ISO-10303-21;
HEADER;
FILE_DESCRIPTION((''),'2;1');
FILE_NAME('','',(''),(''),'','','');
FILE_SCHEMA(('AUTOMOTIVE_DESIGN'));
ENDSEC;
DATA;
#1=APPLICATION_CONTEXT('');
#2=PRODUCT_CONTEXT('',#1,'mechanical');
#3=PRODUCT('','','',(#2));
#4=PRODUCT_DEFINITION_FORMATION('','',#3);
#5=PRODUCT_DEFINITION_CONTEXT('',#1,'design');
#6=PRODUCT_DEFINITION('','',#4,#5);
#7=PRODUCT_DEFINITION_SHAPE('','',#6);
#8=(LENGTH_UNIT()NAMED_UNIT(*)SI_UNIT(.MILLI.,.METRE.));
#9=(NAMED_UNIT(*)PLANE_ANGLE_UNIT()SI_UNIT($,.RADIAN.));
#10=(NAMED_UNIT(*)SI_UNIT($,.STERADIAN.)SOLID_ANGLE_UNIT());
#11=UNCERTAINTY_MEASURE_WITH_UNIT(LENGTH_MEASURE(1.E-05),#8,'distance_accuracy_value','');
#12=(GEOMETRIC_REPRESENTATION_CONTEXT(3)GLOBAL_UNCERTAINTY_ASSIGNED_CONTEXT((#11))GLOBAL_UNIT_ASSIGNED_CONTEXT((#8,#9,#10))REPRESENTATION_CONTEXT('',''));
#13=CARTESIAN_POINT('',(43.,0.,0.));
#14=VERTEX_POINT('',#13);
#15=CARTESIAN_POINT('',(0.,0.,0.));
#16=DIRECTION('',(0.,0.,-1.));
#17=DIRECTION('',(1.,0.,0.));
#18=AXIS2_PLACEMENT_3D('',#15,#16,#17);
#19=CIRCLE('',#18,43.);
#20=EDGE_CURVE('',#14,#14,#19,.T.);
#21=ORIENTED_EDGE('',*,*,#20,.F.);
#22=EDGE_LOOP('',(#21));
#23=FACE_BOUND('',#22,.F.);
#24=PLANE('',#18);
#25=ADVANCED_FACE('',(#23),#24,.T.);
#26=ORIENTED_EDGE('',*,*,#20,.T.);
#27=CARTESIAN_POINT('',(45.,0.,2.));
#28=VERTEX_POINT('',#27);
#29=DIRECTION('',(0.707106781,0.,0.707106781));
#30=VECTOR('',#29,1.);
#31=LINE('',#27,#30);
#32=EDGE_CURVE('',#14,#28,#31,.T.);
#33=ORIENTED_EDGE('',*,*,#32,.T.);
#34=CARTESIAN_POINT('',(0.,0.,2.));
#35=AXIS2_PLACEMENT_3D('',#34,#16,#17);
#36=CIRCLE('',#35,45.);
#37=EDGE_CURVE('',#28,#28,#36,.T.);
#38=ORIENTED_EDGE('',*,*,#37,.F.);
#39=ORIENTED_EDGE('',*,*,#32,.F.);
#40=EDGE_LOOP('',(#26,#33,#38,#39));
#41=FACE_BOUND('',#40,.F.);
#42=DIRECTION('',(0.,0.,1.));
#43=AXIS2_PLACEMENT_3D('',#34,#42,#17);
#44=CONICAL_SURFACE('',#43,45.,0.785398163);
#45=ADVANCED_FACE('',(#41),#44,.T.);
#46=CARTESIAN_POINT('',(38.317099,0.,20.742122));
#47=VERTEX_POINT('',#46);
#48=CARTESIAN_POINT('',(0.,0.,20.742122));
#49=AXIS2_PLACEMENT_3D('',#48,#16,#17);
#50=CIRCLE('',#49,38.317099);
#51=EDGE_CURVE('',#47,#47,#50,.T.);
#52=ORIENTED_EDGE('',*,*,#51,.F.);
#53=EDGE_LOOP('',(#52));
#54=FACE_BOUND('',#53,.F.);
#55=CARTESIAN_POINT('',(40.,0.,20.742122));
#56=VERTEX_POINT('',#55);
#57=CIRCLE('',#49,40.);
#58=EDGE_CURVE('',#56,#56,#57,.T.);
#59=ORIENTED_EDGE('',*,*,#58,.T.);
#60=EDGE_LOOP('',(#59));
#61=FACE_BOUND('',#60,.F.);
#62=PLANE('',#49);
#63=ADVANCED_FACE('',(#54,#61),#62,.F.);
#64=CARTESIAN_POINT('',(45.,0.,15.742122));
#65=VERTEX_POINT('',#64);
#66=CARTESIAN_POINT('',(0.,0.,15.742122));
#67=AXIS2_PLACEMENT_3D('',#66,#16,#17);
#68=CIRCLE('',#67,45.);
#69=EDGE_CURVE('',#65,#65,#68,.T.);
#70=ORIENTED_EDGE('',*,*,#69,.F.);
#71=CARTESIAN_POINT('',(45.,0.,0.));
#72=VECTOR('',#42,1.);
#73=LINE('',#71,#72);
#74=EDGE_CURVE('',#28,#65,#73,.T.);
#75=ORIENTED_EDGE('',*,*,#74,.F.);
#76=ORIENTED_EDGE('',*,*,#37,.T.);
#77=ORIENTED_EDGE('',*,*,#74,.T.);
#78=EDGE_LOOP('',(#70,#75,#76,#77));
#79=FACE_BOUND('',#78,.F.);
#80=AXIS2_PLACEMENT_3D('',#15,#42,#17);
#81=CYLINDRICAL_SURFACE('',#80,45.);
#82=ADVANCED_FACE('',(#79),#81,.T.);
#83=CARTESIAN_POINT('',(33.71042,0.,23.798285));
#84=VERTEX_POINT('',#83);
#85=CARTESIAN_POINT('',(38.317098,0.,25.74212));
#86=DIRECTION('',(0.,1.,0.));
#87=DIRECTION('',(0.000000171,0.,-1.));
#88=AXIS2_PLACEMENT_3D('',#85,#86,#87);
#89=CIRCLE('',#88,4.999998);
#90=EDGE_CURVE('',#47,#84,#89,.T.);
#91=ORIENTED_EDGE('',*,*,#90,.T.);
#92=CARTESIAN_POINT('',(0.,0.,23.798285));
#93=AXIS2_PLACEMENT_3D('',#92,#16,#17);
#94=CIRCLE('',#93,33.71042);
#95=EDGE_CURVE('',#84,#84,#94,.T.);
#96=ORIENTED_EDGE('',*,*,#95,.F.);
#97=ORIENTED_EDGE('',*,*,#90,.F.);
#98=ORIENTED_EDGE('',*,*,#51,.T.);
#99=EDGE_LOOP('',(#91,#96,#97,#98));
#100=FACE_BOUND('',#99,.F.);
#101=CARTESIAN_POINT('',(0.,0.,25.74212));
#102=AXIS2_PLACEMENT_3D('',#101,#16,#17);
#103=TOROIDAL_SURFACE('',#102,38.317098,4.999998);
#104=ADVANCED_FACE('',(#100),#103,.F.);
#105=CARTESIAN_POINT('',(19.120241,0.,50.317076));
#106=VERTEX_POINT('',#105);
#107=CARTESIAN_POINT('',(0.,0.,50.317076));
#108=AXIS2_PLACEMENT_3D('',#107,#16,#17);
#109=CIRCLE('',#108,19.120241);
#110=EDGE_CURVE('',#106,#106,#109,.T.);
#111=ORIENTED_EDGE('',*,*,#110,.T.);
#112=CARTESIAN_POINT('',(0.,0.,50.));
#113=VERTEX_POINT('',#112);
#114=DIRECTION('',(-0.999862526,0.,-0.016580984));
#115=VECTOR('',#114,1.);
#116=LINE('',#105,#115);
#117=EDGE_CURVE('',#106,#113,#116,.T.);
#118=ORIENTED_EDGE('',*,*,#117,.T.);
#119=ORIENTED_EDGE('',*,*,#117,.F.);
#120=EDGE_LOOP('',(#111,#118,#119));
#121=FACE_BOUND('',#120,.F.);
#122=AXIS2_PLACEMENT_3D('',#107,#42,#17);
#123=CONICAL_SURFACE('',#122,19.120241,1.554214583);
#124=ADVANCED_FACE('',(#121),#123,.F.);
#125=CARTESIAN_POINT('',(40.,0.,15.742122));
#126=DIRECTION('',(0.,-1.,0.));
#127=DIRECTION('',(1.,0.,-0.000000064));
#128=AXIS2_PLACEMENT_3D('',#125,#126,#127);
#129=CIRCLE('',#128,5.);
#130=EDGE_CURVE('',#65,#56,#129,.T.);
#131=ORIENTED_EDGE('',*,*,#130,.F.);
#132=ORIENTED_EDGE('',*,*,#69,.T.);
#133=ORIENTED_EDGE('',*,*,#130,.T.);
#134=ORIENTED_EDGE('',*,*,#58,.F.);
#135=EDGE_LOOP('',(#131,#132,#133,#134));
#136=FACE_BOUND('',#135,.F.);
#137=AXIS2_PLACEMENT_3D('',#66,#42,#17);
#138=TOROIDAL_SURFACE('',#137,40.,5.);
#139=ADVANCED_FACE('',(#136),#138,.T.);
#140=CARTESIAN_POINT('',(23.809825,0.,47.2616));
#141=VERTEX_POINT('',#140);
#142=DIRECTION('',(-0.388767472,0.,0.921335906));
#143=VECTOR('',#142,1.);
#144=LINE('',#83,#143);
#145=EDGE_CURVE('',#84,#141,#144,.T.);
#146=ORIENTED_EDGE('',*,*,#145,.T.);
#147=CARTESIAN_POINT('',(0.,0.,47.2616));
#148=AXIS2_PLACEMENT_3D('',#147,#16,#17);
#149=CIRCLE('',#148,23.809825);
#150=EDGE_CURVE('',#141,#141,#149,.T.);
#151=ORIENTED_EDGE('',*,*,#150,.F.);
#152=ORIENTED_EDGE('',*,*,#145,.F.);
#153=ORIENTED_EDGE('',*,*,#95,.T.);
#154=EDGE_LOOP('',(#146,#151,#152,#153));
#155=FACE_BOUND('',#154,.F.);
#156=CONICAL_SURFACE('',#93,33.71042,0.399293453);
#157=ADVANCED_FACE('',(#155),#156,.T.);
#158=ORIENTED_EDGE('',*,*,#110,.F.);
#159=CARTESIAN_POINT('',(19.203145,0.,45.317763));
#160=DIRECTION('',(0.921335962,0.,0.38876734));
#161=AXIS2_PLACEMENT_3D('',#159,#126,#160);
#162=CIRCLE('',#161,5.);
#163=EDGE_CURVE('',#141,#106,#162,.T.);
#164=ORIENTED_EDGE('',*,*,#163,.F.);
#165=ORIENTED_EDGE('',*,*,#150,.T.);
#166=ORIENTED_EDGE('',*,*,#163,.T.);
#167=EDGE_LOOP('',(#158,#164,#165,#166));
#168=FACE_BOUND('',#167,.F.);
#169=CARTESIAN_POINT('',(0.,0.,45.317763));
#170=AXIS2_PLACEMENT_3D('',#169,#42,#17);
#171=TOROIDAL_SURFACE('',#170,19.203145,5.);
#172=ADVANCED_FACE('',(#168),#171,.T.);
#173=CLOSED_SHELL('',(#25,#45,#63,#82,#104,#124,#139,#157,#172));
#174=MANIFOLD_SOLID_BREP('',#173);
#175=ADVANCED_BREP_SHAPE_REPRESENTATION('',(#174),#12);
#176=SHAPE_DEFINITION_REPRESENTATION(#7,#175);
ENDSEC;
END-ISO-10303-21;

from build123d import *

# Parameters (mm, degrees)
F2_SIZE = 2


with BuildPart() as f1:
    # F0 (on Front) → F1 (revolve)
    with BuildSketch(Plane.XZ):
        with BuildLine():
            Line((19.120241, 50.317076), (0, 50))
            Line((0, 50), (0, 0))
            Line((0, 0), (45, 0))
            Line((45, 0), (45, 15.742122))
            ThreePointArc((45, 15.742122), (43.535534, 19.277656), (40, 20.742122))
            Line((40, 20.742122), (38.317099, 20.742122))
            ThreePointArc((38.317099, 20.742122), (35.552971, 21.575637), (33.71042, 23.798285))
            Line((33.71042, 23.798285), (23.809825, 47.2616))
            ThreePointArc((23.809825, 47.2616), (21.932636, 49.507021), (19.120241, 50.317076))
        make_face()
    revolve(axis=Axis((0, 0, 15.365856), (0, 0, -1)))

    # F2
    f2_edges = [f1.edges().sort_by_distance(p)[0] for p in [
        (-45, 0, 0),
    ]]
    chamfer(f2_edges, length=F2_SIZE)


solid = f1.part
